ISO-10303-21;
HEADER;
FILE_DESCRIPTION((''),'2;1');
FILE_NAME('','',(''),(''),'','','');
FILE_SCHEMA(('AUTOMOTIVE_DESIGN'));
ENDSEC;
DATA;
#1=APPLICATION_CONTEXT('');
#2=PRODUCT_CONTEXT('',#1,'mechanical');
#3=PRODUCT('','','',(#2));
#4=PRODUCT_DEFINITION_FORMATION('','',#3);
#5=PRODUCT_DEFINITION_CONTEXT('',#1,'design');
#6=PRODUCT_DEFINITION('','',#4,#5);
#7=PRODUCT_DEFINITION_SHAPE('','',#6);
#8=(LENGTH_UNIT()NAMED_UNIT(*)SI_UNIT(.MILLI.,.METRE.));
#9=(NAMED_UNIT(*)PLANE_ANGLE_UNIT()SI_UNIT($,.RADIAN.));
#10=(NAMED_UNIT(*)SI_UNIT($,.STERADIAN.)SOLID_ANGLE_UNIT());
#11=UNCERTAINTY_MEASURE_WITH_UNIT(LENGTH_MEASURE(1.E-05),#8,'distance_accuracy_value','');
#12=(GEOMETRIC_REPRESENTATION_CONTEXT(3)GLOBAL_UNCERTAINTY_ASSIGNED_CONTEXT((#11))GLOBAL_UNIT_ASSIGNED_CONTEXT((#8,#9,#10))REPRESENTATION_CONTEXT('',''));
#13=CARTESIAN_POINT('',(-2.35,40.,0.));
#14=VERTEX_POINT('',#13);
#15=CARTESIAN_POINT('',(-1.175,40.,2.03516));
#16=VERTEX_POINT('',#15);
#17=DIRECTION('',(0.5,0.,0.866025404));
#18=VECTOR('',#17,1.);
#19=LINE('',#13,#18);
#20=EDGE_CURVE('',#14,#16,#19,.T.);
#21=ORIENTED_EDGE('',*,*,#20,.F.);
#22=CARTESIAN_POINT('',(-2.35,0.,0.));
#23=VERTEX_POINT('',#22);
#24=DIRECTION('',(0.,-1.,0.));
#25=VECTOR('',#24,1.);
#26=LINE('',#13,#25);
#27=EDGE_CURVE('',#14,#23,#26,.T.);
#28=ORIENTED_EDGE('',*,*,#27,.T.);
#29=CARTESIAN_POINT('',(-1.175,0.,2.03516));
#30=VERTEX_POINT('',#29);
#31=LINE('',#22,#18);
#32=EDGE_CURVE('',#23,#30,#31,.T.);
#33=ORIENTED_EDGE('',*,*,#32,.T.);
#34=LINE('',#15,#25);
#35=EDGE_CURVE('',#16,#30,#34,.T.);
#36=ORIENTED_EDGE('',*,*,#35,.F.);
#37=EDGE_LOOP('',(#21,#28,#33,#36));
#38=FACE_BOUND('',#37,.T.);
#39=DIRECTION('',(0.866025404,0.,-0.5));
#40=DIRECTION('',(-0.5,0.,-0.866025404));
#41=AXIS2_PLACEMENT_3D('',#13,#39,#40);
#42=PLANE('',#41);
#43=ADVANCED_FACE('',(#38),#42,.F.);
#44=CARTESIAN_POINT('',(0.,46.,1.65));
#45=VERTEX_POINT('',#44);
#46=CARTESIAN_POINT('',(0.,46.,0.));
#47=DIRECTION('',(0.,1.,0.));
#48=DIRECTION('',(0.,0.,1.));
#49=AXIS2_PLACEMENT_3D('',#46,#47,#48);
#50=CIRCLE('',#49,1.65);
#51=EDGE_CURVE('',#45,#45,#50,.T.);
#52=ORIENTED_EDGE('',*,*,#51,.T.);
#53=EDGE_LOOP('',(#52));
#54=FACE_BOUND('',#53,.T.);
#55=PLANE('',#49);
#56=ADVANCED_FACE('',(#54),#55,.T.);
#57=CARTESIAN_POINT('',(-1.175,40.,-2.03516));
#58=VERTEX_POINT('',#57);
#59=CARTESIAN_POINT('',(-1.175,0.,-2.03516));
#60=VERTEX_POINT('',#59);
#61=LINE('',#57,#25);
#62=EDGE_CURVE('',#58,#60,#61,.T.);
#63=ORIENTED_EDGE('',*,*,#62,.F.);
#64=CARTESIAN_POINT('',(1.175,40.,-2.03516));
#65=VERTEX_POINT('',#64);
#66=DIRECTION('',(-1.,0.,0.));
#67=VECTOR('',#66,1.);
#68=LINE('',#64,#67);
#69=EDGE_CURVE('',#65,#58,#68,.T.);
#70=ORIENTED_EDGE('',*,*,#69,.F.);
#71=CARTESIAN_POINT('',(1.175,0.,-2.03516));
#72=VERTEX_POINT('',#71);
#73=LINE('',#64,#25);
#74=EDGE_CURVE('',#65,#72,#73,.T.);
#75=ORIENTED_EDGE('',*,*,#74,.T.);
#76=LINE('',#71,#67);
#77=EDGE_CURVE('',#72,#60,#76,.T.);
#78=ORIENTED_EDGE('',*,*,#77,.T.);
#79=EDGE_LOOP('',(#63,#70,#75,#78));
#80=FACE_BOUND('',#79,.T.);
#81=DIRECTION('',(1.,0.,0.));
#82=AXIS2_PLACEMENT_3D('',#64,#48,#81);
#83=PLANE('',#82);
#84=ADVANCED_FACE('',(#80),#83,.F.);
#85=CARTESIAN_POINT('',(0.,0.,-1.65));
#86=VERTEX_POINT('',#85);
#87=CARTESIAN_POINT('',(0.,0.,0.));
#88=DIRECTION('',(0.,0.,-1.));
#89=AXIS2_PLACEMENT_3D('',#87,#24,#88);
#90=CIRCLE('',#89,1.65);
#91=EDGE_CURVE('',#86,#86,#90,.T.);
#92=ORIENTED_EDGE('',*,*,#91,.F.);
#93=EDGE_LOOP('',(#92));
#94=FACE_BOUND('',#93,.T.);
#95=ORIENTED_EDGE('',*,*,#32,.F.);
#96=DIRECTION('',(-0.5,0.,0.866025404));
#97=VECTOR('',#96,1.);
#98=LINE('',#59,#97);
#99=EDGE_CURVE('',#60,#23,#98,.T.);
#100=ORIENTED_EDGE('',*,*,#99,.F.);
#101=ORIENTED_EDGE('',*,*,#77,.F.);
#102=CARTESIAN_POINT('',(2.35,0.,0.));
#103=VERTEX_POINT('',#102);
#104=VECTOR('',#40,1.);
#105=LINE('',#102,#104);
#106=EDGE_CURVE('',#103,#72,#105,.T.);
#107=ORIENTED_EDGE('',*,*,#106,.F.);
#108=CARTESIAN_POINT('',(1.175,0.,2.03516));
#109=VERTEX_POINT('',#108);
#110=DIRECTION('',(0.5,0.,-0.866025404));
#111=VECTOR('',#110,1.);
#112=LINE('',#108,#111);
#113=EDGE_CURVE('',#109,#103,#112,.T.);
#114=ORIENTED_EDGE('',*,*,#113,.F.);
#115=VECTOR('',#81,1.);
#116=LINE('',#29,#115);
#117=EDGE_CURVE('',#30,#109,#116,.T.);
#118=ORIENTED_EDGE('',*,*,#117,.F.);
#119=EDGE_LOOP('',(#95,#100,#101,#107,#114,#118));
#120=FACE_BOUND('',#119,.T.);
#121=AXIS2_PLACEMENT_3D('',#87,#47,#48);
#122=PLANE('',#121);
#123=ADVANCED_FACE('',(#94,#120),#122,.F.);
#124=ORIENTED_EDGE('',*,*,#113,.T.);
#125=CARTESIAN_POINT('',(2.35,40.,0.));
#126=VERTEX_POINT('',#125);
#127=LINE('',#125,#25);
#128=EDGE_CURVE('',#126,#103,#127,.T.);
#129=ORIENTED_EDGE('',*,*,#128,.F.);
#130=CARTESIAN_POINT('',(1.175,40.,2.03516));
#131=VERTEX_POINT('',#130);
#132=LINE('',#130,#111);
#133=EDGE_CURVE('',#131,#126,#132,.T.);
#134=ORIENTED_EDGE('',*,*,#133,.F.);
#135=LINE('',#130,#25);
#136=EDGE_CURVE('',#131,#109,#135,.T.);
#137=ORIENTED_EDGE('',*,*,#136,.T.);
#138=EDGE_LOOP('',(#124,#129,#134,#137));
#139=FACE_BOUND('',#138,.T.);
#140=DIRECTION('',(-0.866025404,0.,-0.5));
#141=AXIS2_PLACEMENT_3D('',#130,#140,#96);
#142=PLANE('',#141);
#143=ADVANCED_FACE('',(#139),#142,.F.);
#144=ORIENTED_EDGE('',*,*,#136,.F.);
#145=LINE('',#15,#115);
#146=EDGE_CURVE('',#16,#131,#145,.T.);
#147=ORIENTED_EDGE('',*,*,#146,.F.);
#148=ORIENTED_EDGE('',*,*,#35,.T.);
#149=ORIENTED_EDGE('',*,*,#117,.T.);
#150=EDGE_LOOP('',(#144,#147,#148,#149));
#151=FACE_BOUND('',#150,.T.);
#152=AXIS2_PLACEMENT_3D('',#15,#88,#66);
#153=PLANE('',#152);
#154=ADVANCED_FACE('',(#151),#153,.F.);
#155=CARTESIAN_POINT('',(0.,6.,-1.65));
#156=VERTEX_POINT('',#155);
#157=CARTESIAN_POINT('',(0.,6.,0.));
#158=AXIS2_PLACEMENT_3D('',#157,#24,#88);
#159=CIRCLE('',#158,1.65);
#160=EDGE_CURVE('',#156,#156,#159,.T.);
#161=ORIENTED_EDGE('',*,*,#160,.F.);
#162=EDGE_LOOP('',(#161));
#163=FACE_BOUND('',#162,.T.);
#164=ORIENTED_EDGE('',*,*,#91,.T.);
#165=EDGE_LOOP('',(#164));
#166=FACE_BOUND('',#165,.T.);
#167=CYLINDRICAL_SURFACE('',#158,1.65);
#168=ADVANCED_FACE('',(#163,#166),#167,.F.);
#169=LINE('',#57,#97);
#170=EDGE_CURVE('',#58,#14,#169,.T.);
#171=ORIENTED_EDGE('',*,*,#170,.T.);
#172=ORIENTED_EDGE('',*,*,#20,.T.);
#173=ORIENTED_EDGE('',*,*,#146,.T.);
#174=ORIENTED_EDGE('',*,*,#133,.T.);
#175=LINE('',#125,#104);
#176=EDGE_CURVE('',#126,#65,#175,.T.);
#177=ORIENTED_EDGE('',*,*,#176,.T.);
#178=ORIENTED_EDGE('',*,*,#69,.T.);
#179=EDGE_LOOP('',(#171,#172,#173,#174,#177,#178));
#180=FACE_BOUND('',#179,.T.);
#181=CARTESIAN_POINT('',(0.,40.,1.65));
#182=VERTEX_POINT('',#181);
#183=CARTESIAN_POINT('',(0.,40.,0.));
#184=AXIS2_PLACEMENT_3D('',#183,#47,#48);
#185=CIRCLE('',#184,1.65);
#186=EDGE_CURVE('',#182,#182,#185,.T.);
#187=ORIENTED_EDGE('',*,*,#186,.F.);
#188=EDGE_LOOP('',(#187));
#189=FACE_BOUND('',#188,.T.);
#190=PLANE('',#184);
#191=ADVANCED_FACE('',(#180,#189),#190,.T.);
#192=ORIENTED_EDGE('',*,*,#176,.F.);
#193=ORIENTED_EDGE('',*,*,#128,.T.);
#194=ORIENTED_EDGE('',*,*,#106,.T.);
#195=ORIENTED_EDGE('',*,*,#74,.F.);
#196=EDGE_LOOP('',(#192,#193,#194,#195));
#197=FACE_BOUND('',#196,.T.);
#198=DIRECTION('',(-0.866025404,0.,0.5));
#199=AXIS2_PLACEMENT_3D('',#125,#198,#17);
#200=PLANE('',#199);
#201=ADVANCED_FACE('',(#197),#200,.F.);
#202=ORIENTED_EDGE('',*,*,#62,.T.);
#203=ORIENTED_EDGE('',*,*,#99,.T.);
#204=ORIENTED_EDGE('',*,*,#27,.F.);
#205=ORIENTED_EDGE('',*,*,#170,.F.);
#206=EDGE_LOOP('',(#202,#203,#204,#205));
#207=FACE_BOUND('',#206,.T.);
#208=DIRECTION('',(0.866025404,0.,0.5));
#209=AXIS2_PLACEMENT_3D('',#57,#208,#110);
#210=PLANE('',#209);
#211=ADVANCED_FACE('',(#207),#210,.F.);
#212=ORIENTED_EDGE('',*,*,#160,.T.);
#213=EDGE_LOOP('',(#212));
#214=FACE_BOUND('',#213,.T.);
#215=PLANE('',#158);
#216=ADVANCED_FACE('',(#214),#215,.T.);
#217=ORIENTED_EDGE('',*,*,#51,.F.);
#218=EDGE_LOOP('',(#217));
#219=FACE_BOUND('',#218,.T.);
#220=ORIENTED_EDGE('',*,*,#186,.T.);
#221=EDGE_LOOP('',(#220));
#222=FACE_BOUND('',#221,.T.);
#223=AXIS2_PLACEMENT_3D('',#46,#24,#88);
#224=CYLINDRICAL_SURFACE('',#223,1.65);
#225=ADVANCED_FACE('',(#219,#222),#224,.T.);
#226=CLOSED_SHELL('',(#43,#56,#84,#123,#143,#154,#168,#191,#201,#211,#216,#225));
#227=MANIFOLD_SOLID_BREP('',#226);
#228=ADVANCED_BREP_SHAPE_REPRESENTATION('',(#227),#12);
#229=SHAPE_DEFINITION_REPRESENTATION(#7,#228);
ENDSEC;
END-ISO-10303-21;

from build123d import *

# Parameters (mm, degrees)
EXTRUDE_1_DEPTH     = 40
SKETCH_2_R          = 1.65
EXTRUDE_2_DEPTH     = 6
SKETCH_3_R          = 1.65
CUT_EXTRUDE_1_DEPTH = 6


with BuildPart() as part:
    # 草图1 → 凸台-拉伸1 (new body)
    with BuildSketch(Plane(origin=(0, 0, 0), x_dir=(1, 0, 0), z_dir=(0, 1, 0))):
        Polygon((1.175, 2.035159699), (-1.175, 2.035159699), (-2.35, 0), (-1.175, -2.035159699), (1.175, -2.035159699), (2.35, 0), align=None)
    extrude(amount=EXTRUDE_1_DEPTH)

    # 草图2 → 凸台-拉伸2 (add)
    with BuildSketch(Plane(origin=(0, 40, 0), x_dir=(1, 0, 0), z_dir=(0, 1, 0))):
        with Locations(Location((0, 0, 0), (0, 0, 270))):
            Circle(SKETCH_2_R)
    extrude(amount=EXTRUDE_2_DEPTH)

    # 草图3 → 切除-拉伸1 (cut)
    with BuildSketch(Plane.XZ):
        with Locations(Location((0, 0, 0), (0, 0, 90))):
            Circle(SKETCH_3_R)
    extrude(amount=-CUT_EXTRUDE_1_DEPTH, mode=Mode.SUBTRACT)


solid = part.part
